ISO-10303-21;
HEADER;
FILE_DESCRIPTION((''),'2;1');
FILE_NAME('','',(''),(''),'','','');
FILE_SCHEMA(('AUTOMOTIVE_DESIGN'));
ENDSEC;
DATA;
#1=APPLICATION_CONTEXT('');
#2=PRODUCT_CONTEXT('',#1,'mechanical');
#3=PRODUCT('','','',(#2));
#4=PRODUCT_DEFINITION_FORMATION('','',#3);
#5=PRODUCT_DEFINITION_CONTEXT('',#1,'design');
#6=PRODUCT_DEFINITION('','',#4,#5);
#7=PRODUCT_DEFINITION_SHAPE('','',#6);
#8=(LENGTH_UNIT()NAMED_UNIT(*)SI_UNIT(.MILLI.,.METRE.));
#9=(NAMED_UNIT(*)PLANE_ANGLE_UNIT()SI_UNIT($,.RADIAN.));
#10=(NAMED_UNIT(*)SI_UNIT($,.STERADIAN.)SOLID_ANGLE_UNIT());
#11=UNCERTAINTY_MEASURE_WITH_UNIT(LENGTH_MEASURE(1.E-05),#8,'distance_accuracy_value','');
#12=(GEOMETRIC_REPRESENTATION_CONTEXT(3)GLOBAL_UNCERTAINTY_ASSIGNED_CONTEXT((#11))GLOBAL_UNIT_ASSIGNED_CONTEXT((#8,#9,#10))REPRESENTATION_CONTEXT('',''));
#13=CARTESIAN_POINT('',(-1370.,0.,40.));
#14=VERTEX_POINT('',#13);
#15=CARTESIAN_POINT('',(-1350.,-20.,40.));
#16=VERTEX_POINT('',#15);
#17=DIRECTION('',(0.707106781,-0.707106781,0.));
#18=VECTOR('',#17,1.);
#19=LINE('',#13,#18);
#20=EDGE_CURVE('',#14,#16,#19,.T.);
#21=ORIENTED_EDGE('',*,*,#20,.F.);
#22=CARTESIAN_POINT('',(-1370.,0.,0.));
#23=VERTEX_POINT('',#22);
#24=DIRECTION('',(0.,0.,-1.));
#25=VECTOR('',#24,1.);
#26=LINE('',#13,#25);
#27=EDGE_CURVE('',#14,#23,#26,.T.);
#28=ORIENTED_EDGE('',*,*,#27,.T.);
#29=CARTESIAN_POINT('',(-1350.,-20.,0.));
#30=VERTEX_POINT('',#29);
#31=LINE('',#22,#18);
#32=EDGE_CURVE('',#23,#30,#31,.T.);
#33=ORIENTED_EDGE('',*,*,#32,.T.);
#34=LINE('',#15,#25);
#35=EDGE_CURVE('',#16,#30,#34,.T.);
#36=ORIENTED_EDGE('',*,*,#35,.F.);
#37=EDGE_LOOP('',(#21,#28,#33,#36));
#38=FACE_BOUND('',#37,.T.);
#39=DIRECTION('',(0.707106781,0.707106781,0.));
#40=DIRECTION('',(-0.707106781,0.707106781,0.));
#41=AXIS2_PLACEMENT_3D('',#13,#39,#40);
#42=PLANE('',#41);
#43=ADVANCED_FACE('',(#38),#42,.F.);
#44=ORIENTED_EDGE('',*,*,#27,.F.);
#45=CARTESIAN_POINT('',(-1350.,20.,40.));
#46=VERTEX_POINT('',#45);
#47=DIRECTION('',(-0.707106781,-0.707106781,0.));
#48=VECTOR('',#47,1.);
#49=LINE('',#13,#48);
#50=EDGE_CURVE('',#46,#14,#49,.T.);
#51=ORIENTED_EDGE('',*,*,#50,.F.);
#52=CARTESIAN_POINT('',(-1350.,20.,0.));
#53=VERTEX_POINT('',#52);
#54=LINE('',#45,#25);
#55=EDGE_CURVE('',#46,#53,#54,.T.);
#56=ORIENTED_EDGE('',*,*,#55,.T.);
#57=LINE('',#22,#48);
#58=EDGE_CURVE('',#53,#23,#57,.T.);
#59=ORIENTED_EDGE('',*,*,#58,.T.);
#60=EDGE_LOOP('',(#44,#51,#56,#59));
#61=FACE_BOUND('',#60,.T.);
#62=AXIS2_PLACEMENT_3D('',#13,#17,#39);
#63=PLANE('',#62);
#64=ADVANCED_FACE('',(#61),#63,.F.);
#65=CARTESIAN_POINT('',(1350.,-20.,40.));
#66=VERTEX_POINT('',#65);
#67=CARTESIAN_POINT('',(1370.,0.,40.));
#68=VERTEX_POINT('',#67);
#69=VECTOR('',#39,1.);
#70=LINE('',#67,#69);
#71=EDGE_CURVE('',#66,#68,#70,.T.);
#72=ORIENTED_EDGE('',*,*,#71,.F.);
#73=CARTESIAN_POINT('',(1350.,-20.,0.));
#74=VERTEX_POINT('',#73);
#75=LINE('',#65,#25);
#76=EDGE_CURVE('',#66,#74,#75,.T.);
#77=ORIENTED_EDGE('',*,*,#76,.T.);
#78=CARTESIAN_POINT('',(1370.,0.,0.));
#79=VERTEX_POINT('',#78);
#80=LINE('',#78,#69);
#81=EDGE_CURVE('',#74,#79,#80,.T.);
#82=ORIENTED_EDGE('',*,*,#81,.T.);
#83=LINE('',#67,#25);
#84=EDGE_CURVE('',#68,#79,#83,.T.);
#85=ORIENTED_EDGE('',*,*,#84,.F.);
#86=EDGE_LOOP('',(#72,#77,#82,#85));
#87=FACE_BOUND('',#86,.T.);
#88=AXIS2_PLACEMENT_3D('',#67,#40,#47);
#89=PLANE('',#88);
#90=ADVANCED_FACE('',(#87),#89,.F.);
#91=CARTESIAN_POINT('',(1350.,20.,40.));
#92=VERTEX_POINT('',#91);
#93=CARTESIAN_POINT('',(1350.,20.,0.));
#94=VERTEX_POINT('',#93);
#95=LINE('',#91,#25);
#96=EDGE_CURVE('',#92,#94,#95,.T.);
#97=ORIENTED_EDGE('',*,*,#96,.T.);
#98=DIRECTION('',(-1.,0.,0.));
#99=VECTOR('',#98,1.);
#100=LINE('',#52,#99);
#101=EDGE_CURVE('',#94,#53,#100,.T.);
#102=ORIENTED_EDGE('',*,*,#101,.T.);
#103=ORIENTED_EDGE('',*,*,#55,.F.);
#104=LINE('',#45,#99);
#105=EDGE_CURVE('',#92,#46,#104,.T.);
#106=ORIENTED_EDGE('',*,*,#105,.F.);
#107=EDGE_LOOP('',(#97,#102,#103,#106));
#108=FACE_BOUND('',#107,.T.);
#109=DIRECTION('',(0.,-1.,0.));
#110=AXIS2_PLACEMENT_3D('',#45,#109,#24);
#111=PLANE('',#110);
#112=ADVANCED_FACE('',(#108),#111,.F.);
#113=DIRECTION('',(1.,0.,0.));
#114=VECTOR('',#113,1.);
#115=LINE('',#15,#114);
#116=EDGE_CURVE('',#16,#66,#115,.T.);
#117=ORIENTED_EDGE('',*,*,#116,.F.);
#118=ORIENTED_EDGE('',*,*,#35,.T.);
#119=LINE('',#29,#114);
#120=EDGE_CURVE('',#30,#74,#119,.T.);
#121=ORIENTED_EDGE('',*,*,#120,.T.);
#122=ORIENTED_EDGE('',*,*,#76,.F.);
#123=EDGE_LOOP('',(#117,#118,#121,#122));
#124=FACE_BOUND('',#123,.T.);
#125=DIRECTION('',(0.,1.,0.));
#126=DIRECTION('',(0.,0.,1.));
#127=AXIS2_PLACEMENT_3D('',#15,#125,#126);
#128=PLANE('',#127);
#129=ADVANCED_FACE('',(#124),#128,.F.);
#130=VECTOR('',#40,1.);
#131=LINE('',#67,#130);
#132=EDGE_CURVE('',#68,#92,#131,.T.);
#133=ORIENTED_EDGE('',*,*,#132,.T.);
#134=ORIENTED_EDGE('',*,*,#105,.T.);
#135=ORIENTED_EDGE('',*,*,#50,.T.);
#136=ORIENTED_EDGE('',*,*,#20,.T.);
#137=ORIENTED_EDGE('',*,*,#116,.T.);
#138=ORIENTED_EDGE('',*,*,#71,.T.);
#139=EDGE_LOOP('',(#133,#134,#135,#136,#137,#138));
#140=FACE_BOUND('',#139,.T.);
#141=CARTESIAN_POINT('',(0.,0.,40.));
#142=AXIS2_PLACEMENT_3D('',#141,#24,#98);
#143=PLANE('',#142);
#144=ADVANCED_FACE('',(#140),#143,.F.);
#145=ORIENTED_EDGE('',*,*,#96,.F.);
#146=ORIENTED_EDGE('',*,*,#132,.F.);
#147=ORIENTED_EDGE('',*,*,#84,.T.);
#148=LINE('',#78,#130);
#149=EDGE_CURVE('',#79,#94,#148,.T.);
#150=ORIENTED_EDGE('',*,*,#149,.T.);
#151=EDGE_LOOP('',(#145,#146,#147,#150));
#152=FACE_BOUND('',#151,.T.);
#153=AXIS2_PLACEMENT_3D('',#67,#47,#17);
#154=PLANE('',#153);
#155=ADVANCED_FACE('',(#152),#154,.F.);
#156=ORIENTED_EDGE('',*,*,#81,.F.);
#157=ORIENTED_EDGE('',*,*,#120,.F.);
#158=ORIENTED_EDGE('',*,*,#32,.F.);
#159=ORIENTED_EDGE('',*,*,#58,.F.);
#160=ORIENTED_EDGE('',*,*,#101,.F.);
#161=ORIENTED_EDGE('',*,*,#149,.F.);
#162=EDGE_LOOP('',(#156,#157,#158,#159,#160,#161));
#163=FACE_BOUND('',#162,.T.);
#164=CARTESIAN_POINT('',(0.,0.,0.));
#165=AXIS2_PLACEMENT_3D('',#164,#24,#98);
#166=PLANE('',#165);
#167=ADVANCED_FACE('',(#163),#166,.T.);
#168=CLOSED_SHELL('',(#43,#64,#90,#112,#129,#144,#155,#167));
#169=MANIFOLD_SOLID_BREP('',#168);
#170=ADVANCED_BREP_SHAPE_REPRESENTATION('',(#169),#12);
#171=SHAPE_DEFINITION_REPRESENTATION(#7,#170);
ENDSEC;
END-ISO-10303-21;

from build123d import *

# Parameters (mm, degrees)
BOSS_EXTRUDE1_DEPTH = 40


with BuildPart() as part:
    # Sketch2 → Boss-Extrude1 (new body)
    with BuildSketch(Plane.XY):
        Polygon((-1370, 0), (-1350, 20), (1350, 20), (1370, 0), (1350, -20), (-1350, -20), align=None)
    extrude(amount=BOSS_EXTRUDE1_DEPTH)


solid = part.part
